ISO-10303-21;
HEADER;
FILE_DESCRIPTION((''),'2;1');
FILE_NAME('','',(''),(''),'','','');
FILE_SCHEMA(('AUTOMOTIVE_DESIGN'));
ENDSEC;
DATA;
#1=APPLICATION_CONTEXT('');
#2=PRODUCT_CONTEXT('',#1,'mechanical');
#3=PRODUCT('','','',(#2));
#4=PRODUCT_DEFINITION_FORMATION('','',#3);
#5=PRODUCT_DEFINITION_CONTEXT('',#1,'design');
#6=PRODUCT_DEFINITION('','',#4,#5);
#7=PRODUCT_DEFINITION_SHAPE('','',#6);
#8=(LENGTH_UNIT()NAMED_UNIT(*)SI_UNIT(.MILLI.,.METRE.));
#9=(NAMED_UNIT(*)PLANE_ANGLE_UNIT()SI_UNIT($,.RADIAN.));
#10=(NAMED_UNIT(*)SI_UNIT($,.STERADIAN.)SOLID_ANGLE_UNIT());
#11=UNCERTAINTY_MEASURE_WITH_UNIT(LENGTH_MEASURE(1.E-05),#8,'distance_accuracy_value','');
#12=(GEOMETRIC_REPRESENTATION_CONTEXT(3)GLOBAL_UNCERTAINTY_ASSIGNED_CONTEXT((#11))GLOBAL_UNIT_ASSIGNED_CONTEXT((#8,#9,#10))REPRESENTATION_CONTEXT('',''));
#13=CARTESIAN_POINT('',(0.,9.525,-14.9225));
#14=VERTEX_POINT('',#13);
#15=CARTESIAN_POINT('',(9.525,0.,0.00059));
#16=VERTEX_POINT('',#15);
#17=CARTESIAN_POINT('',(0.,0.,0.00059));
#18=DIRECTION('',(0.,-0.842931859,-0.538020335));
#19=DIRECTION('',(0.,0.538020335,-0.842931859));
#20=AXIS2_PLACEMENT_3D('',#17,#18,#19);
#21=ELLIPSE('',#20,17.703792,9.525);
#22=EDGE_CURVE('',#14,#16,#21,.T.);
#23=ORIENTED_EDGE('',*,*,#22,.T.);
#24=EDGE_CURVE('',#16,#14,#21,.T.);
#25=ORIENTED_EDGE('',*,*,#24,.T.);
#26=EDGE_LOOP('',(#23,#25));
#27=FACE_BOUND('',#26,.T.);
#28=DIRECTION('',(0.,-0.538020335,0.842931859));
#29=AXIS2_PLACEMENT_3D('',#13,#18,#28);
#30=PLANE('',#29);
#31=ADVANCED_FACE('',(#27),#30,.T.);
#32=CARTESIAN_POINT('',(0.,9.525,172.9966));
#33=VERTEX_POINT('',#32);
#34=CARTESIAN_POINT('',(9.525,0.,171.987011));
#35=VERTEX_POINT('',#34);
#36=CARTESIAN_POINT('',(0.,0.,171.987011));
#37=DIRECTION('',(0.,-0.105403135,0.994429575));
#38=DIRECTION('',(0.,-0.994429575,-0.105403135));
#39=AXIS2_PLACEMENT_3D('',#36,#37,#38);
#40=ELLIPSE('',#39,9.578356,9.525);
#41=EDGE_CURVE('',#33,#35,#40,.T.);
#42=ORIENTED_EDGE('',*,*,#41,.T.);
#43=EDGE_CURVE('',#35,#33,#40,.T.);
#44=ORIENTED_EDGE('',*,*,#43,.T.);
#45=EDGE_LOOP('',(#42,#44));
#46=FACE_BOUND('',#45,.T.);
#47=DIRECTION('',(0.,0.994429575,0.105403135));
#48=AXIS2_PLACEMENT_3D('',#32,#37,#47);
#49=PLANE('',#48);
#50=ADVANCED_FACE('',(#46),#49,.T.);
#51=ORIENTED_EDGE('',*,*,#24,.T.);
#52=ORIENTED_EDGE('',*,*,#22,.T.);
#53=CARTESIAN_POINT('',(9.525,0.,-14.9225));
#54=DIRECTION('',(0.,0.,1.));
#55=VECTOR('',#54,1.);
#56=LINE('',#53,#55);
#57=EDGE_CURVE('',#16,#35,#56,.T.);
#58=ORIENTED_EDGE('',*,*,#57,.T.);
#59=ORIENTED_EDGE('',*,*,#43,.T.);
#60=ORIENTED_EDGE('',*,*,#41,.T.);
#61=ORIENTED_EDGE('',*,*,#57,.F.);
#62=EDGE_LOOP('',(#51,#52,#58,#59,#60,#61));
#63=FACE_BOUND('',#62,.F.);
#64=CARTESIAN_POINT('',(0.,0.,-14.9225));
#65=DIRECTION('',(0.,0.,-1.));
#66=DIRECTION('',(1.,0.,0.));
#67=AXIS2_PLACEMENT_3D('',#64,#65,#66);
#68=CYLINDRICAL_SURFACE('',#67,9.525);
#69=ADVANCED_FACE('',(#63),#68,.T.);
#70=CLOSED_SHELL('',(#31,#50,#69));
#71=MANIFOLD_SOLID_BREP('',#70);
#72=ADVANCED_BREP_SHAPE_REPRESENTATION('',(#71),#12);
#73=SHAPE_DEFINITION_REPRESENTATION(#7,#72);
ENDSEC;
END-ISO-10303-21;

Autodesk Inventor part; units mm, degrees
ref_plane "Start Plane" through (0, 0, -14.9225) normal (0, 0, 1) x (1, 0, 0)
ref_plane "End Plane" through (0, 0, 172.9966) normal (0, 0, 1) x (1, 0, 0)
sketch "Sketch" plane through (0, 0, 0) normal (0, 0, 1) x (1, 0, 0)
  circle A0 centre (0, 0) radius 9.525
  dimension "d0" = 19.05
extrude "Body" add sketch "Sketch" along normal up to surface (187.9191 mm away) from surface at -14.9225
sketch "Sketch2" plane through (0, 0, 0) normal (0, 0, 1) x (1, 0, 0)
  line L0 (0, 0) -> (10, 0)
ref_plane "Work Plane3" through (0, 0, 0) normal (0, -1, 0) x (1, 0, 0)
ref_plane "Work Plane4" through (0, 9.525, 172.9966) normal (0, -0.1054, 0.9944) x (1, 0, 0)
split "Split1" plane through (0, 9.525, 172.9966) removes the side toward (0, -0.1054, 0.9944)
ref_plane "Work Plane5" through (0, 9.525, -14.9225) normal (0, -0.8429, -0.538) x (1, 0, 0)
split "Split2" plane through (0, 9.525, -14.9225) removes the side toward (0, -0.8429, -0.538)
sketch "Sketch3" plane through (0, 0, 0) normal (0, -1, 0) x (1, 0, 0)
  line L0 (-2, -14.9225) -> (12, -14.9225) projected
  line L1 (-2, 172.9966) -> (12, 172.9966) projected
  dimension "d7" = 187.9191
equation "\"d0\" = Diam"
equation "\"d1\" = G_L"
equation "\"Diam\" = 19.05"
equation "\"G_L\" = d7"
equation "\"G_OFFSET_START\" = 14.92247"
equation "\"G_OFFSET_END\" = 1.00953"
equation "\"d4\" = -G_OFFSET_START"
equation "\"d5\" = G_OFFSET_END + B_L"
equation "\"B_L\" = 171.98707"
properties part number "ANSI/AISC Rolled Steel - 3/4-7.398, RB" material "Steel, Mild"
